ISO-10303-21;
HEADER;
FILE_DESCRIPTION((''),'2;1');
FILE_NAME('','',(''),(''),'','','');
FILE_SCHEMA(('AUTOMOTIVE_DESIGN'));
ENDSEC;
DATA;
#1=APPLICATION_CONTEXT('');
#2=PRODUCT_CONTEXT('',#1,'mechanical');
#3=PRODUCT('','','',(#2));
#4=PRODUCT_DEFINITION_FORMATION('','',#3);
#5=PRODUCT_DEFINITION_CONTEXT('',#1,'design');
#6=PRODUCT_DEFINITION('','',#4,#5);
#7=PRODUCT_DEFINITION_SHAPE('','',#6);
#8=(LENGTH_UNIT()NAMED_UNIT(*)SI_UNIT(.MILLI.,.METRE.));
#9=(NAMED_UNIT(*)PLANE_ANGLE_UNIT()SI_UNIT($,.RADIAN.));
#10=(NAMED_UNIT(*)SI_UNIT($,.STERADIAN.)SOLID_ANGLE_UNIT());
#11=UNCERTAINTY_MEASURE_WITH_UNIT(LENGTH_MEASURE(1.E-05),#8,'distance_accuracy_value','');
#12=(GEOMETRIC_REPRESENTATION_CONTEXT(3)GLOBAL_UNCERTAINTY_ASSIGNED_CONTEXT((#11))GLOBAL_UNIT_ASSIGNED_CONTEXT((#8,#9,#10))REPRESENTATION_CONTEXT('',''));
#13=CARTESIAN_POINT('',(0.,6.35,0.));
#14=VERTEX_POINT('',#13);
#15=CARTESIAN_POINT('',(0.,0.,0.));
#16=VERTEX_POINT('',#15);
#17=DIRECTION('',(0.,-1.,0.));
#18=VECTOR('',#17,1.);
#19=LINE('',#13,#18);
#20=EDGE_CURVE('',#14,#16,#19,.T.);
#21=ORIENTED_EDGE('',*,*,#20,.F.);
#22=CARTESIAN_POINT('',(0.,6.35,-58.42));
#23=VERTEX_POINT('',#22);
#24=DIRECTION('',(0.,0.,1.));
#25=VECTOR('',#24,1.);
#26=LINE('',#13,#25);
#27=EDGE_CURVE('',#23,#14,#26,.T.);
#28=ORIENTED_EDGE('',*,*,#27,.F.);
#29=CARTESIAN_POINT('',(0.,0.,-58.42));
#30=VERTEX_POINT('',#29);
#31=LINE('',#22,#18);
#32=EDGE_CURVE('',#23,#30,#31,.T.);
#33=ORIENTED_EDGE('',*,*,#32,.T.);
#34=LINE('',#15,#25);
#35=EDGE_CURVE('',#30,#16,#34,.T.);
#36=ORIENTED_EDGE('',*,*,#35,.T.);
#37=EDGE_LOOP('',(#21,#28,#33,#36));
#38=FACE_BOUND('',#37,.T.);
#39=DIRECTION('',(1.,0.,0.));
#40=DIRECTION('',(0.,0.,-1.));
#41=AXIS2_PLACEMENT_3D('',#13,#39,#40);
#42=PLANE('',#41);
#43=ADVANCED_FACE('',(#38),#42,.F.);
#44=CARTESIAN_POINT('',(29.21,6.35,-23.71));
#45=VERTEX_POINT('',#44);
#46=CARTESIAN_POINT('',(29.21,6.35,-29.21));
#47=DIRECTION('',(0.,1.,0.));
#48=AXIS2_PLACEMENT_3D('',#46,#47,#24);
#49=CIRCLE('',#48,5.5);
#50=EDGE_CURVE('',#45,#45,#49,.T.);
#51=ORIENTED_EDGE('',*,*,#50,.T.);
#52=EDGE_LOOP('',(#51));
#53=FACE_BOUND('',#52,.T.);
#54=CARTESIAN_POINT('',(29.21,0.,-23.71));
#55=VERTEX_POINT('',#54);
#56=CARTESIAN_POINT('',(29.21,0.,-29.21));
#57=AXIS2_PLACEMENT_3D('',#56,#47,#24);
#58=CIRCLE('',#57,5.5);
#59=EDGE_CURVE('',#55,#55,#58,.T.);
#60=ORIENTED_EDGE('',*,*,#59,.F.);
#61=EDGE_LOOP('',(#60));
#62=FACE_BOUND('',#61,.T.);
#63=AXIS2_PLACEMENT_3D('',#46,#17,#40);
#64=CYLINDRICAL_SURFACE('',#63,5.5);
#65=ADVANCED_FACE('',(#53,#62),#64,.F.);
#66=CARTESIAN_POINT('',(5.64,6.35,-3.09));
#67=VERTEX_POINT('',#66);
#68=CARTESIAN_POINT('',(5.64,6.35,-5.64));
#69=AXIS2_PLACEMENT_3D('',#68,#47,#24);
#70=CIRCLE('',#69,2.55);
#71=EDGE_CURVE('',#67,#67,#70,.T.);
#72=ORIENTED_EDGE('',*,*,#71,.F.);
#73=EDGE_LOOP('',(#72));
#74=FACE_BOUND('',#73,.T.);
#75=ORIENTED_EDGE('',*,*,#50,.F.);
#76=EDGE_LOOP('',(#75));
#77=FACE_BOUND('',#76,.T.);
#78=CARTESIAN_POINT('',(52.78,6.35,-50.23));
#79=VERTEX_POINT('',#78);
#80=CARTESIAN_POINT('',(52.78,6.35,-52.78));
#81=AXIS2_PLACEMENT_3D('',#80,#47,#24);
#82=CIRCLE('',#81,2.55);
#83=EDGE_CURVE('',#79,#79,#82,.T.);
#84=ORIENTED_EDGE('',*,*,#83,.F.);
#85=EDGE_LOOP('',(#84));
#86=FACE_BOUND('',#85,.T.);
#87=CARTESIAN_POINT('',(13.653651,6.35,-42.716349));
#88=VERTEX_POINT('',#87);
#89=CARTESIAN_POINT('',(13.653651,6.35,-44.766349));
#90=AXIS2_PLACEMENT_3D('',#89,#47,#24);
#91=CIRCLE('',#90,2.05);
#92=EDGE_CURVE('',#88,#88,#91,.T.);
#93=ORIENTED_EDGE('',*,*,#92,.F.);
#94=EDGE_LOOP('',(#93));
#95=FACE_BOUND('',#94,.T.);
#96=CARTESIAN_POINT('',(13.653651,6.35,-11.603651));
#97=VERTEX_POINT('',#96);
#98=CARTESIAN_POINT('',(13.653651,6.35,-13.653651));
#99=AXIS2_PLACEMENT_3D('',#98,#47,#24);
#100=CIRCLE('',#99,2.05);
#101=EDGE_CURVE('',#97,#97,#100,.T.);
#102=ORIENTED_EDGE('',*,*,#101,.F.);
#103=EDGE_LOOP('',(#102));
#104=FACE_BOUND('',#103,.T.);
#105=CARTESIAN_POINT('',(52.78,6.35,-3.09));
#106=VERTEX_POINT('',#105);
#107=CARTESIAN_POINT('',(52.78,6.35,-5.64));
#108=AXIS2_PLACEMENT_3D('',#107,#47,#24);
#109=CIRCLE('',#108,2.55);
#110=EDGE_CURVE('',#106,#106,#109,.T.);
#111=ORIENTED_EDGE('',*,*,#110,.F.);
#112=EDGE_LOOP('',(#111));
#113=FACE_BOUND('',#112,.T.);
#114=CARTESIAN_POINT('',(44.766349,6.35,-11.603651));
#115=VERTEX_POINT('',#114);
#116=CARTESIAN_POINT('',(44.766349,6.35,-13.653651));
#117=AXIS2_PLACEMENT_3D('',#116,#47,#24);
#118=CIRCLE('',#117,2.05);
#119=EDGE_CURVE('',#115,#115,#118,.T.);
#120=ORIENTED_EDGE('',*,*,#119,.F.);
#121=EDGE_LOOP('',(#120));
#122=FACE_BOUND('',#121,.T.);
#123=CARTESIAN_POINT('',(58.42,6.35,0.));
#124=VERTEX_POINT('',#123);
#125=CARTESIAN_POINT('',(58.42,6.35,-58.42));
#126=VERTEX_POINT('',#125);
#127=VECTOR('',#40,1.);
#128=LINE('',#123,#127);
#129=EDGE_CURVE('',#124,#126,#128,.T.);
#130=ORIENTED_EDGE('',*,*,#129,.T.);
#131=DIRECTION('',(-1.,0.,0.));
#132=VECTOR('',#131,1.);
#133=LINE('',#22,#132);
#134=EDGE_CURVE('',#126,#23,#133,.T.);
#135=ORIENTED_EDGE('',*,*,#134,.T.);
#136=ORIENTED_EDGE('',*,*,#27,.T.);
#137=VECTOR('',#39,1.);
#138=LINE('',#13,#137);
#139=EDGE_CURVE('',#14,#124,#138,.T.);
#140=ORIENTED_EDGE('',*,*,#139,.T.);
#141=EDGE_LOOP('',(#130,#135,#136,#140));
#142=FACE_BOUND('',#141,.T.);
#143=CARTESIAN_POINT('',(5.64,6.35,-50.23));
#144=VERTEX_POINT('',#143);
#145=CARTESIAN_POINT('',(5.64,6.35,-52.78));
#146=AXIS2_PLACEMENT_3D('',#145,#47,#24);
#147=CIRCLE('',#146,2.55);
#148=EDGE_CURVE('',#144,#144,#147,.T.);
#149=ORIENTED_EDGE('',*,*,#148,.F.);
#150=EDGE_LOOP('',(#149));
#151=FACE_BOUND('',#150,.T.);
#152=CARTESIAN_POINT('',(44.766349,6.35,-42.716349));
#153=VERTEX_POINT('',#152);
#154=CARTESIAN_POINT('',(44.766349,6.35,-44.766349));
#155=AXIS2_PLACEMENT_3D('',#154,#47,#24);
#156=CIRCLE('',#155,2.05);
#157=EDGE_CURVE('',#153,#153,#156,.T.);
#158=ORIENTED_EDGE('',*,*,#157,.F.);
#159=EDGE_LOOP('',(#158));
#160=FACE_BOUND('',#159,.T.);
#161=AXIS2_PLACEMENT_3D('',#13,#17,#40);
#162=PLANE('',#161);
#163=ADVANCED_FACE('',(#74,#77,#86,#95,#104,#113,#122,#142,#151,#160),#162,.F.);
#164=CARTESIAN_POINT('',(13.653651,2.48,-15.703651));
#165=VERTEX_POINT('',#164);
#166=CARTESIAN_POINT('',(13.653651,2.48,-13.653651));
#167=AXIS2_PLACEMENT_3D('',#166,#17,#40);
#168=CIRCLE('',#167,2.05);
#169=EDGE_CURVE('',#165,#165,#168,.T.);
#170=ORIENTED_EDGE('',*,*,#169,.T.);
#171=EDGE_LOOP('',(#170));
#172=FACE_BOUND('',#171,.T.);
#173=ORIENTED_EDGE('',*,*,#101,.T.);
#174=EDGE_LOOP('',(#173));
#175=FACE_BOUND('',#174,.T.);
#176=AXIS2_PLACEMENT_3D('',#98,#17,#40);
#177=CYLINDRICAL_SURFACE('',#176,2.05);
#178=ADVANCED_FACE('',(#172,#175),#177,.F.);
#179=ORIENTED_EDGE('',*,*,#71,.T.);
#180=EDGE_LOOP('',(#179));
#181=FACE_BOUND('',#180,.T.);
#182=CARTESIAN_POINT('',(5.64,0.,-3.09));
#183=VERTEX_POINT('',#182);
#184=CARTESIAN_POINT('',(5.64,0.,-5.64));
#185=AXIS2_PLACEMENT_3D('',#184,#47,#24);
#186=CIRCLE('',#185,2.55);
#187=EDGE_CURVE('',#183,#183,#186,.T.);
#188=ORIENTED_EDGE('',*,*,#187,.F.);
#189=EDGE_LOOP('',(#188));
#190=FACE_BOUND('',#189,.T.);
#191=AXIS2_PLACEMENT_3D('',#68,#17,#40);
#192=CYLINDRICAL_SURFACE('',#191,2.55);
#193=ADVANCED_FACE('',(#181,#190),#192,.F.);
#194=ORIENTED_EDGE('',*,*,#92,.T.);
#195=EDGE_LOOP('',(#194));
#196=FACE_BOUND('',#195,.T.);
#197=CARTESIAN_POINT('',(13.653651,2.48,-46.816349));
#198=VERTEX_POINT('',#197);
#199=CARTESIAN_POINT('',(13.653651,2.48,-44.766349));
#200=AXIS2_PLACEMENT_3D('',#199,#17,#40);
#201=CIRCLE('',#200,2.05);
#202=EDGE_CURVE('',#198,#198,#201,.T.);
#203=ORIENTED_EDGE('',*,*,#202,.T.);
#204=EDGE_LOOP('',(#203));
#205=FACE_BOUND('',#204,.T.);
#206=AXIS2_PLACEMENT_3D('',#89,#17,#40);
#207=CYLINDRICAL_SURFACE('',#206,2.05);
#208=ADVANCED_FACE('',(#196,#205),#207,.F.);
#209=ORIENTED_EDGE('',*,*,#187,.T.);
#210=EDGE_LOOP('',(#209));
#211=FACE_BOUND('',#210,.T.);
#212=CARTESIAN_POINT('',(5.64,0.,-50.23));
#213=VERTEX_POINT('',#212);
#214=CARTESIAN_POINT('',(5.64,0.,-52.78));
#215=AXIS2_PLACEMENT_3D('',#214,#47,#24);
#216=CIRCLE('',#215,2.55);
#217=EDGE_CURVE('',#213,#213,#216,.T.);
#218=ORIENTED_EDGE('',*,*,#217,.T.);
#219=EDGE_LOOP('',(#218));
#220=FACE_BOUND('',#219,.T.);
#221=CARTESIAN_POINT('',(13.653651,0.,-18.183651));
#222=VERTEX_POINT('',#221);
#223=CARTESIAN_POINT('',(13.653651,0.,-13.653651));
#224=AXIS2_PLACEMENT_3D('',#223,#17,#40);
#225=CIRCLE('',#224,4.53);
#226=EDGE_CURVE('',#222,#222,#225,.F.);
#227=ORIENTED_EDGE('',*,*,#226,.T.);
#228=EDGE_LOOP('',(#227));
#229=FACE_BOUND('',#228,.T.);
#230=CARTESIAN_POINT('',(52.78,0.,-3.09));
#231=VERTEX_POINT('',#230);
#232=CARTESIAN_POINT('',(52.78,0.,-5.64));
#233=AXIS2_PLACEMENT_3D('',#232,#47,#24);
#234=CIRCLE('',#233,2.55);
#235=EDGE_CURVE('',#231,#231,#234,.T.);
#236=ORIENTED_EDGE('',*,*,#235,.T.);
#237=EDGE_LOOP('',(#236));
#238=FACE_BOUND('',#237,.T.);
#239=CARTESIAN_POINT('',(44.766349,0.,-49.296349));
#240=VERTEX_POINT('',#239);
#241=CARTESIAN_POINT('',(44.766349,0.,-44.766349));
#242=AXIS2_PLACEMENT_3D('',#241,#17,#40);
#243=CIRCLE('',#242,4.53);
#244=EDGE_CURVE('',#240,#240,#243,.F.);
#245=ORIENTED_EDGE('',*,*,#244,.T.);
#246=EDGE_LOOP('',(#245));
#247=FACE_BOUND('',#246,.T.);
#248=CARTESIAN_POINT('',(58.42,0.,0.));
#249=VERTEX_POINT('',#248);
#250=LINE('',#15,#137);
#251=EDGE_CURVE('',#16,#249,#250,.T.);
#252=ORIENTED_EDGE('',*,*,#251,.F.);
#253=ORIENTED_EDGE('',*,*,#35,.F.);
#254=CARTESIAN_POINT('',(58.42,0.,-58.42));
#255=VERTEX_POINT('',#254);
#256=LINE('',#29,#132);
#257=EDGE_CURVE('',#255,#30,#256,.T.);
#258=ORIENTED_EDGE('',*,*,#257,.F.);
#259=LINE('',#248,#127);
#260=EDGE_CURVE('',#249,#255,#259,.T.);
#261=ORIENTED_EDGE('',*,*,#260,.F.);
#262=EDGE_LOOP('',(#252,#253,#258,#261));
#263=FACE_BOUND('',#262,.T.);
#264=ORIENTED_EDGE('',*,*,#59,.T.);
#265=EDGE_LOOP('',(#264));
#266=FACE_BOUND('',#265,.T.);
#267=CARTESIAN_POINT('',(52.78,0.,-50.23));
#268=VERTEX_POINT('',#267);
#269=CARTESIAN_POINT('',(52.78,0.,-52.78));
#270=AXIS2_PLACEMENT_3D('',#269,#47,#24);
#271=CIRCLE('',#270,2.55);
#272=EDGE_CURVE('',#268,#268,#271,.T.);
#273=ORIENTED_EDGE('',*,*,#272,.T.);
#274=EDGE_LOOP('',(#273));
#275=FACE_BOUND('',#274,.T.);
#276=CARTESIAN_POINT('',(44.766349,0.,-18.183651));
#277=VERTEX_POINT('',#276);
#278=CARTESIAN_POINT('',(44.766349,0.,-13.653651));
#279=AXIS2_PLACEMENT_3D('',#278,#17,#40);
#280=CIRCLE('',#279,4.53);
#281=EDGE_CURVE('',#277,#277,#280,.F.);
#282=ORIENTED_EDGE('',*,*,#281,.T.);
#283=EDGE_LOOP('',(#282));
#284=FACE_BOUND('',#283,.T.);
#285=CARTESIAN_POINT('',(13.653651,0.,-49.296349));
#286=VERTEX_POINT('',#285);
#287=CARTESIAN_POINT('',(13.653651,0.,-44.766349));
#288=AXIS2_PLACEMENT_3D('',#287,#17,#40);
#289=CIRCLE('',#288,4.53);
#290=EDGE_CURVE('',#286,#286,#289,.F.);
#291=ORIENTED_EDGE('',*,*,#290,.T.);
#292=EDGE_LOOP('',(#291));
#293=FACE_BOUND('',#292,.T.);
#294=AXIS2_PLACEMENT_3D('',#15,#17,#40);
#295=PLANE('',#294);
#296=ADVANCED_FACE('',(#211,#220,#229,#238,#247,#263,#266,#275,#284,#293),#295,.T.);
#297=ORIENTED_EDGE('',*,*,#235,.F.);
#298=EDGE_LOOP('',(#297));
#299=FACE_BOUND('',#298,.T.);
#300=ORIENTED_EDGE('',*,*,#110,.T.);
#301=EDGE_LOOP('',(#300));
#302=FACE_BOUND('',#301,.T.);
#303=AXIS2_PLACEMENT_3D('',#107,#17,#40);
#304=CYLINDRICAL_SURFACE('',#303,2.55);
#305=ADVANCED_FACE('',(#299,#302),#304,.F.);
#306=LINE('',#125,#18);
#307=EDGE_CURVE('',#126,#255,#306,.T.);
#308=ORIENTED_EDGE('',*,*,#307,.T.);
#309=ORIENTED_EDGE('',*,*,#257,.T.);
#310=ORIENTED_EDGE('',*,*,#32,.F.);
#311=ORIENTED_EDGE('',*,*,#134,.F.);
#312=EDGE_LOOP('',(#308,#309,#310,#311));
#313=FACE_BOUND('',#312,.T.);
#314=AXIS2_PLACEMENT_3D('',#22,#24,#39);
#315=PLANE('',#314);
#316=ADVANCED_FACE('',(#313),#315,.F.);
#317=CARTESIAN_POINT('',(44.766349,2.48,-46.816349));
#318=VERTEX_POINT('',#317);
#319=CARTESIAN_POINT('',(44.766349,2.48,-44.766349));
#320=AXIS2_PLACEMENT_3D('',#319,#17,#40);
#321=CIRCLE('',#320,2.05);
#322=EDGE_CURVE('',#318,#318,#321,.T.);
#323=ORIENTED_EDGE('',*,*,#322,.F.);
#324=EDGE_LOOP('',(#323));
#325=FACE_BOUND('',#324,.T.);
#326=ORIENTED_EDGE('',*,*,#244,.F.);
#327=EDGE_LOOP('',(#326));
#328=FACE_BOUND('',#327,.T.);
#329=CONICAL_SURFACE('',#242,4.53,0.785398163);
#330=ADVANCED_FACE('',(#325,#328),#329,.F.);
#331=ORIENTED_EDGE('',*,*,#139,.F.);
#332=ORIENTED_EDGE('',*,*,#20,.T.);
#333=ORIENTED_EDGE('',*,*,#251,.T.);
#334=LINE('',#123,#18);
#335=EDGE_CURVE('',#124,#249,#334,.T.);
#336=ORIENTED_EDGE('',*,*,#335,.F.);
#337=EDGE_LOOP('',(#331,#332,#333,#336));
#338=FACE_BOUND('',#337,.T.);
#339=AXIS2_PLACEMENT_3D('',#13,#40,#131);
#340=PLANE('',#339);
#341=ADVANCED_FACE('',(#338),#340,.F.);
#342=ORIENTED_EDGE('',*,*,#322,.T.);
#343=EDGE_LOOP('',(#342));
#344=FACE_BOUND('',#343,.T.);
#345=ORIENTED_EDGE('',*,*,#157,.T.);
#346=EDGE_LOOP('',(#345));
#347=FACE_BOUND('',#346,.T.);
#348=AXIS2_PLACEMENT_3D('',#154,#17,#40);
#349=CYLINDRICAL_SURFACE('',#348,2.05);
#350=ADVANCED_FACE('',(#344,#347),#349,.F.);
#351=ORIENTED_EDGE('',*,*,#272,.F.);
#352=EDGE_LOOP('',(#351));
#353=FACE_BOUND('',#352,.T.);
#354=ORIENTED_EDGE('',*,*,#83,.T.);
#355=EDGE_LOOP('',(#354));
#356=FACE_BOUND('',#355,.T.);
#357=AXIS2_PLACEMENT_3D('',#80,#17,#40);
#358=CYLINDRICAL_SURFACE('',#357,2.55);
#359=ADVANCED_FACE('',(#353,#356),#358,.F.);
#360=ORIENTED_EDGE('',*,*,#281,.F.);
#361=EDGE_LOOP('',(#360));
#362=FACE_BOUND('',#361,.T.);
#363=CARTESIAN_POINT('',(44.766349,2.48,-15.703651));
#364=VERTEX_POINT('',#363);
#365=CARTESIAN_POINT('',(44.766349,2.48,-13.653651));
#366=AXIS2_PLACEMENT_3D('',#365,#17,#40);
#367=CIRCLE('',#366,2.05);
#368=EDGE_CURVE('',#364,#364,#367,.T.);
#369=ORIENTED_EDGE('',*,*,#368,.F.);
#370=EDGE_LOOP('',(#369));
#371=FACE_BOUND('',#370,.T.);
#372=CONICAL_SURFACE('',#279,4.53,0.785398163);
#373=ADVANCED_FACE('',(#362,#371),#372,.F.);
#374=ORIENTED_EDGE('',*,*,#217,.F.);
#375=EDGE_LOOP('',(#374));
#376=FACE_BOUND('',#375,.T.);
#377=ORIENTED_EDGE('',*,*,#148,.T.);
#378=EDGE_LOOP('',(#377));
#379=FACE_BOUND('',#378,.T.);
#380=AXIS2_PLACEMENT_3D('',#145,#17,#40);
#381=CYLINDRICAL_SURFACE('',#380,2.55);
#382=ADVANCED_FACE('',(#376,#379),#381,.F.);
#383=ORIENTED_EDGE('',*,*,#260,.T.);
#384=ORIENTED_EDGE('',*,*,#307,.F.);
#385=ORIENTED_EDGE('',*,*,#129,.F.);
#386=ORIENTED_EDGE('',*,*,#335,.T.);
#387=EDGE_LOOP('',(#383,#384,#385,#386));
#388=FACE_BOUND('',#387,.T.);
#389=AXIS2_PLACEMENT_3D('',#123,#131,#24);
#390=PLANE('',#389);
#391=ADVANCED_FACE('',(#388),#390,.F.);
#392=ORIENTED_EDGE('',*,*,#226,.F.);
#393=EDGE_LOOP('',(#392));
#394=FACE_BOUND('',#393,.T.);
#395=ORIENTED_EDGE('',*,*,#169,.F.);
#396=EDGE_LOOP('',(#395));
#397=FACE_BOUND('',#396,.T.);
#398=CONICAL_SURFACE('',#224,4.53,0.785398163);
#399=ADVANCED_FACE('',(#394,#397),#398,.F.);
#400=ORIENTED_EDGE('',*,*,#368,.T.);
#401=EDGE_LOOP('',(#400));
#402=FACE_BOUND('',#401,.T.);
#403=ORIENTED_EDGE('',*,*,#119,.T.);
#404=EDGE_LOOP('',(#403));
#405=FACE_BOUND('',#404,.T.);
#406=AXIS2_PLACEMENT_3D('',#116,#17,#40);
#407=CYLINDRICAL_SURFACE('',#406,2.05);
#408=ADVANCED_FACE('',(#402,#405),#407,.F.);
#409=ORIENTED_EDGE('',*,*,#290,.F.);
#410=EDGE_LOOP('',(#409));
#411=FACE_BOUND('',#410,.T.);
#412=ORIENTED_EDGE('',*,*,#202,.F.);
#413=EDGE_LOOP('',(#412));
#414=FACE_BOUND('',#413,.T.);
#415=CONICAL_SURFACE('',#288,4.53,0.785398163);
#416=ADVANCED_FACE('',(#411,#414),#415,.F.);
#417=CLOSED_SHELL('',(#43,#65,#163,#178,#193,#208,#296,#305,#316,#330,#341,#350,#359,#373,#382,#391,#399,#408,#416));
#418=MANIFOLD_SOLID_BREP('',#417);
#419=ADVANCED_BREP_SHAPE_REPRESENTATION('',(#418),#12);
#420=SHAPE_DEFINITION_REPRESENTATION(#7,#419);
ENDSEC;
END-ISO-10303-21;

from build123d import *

# Parameters (mm, degrees)
SKETCH1_W           = 58.42
SKETCH1_H           = 58.42
SKETCH1_R           = 2.55
SKETCH1_R_2         = 5.5
SKETCH1_R_3         = 2.05
BOSS_EXTRUDE1_DEPTH = 6.35
CHAMFER1_SIZE       = 2.48


with BuildPart() as part:
    # Sketch1 → Boss-Extrude1 (new body)
    with BuildSketch(Plane(origin=(0, 0, 0), x_dir=(1, 0, 0), z_dir=(0, 1, 0))):
        with Locations((29.21, 29.21)):
            Rectangle(SKETCH1_W, SKETCH1_H)
        with Locations(Location((5.64, 52.78, 0), (0, 0, 270))):
            Circle(SKETCH1_R, mode=Mode.SUBTRACT)
        with Locations(Location((52.78, 52.78, 0), (0, 0, 270))):
            Circle(SKETCH1_R, mode=Mode.SUBTRACT)
        with Locations(Location((52.78, 5.64, 0), (0, 0, 270))):
            Circle(SKETCH1_R, mode=Mode.SUBTRACT)
        with Locations(Location((5.64, 5.64, 0), (0, 0, 270))):
            Circle(SKETCH1_R, mode=Mode.SUBTRACT)
        with Locations(Location((29.21, 29.21, 0), (0, 0, 270))):
            Circle(SKETCH1_R_2, mode=Mode.SUBTRACT)
        with Locations(Location((13.653650814, 44.766349186, 0), (0, 0, 270))):
            Circle(SKETCH1_R_3, mode=Mode.SUBTRACT)
        with Locations(Location((44.766349186, 44.766349186, 0), (0, 0, 270))):
            Circle(SKETCH1_R_3, mode=Mode.SUBTRACT)
        with Locations(Location((44.766349186, 13.653650814, 0), (0, 0, 270))):
            Circle(SKETCH1_R_3, mode=Mode.SUBTRACT)
        with Locations(Location((13.653650814, 13.653650814, 0), (0, 0, 270))):
            Circle(SKETCH1_R_3, mode=Mode.SUBTRACT)
    extrude(amount=BOSS_EXTRUDE1_DEPTH)

    # Chamfer1
    chamfer1_edges = [part.edges().sort_by_distance(p)[0] for p in [
        (13.653650814, 0, -46.816349186),
        (44.766349186, 0, -46.816349186),
        (44.766349186, 0, -15.703650814),
        (13.653650814, 0, -15.703650814),
    ]]
    chamfer(chamfer1_edges, length=CHAMFER1_SIZE)


solid = part.part
